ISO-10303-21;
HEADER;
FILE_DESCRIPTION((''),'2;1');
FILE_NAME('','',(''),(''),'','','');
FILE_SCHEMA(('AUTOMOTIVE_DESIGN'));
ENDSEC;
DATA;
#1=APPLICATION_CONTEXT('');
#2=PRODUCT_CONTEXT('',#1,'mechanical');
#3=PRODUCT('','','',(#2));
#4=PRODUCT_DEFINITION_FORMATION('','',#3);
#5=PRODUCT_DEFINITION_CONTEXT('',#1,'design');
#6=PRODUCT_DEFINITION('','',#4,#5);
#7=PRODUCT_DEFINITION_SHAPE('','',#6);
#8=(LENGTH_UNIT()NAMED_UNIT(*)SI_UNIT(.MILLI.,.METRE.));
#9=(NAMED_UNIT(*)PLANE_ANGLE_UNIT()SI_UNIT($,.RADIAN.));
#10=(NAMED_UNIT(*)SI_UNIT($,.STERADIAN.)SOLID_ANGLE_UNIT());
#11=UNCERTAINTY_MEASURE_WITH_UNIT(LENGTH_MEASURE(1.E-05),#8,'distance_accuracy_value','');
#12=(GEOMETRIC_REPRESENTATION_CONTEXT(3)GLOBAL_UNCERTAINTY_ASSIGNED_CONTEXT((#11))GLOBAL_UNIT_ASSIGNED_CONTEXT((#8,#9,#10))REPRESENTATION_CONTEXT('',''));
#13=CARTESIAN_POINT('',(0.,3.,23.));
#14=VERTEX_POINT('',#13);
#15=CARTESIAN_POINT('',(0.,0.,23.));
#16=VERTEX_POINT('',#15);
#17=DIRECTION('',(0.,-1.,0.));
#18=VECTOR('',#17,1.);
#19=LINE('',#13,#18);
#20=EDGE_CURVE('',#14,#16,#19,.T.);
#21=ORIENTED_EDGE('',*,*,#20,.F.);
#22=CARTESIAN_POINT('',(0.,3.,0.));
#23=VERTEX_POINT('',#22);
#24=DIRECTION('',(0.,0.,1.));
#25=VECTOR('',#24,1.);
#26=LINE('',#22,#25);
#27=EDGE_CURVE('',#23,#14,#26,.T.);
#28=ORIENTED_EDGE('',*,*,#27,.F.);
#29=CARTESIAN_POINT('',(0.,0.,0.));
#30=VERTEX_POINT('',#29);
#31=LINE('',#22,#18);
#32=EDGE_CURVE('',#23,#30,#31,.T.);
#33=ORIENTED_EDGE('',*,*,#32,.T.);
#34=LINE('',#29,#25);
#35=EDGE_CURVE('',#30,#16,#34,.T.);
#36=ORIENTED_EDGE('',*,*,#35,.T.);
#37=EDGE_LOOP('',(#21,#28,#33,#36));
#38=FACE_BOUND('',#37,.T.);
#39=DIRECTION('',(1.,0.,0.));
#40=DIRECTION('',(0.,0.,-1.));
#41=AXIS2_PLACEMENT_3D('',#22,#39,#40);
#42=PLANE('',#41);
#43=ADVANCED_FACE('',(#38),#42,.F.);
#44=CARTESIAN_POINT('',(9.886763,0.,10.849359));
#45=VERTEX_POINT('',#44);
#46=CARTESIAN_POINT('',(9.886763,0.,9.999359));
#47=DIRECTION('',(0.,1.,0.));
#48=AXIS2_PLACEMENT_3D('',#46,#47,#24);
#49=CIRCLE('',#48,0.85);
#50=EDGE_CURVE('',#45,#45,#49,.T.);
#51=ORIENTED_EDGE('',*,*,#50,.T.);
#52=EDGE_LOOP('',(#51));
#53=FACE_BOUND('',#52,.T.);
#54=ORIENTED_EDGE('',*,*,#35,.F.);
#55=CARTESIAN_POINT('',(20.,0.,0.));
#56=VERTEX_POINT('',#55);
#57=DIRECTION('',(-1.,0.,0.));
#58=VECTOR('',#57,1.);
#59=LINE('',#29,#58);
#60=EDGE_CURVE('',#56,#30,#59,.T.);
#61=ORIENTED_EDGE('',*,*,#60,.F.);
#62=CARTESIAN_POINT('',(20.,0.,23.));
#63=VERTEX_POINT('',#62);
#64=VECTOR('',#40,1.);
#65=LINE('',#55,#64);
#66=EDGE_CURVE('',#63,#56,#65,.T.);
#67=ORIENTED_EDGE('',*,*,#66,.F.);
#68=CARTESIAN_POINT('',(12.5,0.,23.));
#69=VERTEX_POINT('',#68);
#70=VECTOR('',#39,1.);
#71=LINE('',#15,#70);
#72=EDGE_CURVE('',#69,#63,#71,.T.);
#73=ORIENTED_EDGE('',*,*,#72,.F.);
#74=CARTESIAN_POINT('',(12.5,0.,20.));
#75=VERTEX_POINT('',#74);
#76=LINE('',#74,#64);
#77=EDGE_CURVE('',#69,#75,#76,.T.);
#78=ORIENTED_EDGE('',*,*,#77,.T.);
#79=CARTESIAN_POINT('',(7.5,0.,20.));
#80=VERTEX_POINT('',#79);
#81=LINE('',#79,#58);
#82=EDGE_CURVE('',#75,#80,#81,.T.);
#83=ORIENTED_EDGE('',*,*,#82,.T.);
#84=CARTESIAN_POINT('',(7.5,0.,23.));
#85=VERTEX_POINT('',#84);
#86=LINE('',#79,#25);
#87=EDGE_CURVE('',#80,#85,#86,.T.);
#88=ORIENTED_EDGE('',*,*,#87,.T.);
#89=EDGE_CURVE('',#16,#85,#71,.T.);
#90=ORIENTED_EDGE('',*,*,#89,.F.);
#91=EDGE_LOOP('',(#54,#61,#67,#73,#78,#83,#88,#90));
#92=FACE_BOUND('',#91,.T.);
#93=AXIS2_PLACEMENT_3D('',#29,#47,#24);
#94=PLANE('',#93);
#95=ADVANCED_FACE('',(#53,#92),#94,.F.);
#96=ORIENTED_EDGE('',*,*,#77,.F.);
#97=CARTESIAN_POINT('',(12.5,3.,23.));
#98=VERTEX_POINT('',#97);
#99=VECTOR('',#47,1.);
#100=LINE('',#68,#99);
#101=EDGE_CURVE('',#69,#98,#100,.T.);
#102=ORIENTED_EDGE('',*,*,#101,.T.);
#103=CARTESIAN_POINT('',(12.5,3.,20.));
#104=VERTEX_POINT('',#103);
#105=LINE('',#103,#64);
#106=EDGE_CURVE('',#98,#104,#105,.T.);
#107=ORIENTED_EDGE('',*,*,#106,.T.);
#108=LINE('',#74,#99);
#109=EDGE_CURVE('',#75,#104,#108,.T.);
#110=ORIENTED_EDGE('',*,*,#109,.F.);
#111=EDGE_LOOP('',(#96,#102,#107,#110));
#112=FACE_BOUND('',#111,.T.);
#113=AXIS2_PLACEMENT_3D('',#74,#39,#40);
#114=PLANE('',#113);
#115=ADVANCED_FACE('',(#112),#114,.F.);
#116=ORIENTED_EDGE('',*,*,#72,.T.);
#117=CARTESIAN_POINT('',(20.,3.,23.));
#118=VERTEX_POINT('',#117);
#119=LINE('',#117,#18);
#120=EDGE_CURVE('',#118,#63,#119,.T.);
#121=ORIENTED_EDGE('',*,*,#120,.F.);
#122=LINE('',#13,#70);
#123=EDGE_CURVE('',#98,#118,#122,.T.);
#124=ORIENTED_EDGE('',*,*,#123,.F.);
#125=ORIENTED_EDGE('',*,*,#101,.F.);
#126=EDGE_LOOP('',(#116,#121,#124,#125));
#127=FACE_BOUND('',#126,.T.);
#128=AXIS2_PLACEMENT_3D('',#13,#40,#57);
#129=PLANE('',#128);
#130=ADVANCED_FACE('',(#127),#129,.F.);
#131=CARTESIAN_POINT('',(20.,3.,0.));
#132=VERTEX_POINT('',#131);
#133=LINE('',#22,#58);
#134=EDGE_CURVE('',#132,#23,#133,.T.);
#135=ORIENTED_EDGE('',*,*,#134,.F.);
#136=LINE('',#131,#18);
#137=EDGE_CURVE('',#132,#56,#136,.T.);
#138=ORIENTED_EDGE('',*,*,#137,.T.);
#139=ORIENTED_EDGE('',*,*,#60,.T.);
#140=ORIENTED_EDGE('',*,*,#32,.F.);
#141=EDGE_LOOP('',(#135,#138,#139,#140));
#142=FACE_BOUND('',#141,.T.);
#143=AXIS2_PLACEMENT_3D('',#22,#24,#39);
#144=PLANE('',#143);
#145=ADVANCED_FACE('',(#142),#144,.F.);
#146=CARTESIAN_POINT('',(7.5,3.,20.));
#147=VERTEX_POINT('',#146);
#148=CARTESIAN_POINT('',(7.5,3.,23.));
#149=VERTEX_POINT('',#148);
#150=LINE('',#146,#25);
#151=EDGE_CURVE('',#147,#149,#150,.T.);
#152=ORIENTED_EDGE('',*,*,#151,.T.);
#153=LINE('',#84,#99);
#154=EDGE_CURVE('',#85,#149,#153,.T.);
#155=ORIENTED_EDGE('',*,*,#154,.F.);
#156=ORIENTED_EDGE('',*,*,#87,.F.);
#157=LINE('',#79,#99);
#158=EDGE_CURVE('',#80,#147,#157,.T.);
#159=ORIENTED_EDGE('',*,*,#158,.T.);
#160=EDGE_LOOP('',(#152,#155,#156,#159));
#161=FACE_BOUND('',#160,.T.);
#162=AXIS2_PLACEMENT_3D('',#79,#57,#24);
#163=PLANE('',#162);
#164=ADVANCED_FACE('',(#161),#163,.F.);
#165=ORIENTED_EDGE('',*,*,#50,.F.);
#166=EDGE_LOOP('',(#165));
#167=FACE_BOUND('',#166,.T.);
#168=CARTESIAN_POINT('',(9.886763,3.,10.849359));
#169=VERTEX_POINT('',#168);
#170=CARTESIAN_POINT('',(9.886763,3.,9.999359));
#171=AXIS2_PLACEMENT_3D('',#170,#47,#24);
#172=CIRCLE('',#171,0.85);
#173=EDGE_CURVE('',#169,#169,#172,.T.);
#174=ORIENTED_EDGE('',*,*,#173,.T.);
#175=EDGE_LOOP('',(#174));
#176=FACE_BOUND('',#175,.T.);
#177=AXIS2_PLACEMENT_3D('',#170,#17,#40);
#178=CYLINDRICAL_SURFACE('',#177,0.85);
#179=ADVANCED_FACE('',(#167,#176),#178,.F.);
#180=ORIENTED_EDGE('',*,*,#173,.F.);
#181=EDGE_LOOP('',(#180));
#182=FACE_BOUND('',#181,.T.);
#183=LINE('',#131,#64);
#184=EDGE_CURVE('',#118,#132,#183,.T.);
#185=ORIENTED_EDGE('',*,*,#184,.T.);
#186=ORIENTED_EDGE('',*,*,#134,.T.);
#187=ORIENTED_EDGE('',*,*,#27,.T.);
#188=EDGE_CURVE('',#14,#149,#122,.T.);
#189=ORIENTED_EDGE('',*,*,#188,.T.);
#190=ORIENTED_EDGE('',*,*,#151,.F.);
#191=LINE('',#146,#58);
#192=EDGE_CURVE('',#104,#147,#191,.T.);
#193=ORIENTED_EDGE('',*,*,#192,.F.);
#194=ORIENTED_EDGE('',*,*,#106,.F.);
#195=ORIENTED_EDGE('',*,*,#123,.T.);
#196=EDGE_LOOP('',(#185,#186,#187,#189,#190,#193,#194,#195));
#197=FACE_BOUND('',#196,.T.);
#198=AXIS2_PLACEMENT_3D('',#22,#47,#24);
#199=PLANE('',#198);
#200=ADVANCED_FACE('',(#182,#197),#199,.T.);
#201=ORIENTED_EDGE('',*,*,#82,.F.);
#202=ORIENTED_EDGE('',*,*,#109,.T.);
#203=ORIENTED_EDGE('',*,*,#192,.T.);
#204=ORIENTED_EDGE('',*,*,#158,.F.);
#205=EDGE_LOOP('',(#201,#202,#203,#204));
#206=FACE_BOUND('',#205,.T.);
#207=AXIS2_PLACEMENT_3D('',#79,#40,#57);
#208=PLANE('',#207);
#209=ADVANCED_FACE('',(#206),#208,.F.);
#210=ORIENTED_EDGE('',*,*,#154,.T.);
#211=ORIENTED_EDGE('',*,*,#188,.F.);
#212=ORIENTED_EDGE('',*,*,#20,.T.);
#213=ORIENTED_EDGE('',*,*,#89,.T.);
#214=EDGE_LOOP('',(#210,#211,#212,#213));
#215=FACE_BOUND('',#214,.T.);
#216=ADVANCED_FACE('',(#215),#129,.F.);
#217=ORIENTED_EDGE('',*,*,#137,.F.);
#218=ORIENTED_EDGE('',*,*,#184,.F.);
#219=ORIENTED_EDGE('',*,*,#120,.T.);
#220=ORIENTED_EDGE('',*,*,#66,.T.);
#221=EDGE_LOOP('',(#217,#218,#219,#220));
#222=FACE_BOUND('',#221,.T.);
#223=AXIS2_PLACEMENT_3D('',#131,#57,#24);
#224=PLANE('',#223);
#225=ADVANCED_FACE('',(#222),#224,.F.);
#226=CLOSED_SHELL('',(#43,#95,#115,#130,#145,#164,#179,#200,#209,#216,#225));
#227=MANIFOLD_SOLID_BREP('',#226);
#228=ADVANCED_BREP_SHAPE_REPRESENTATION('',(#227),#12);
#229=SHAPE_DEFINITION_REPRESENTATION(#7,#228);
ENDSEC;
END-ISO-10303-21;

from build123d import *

# Parameters (mm, degrees)
SKETCH1_W           = 20
SKETCH1_H           = 23
SKETCH1_R           = 0.85
BOSS_EXTRUDE1_DEPTH = 3
SKETCH3_W           = 5
SKETCH3_H           = 3
CUT_EXTRUDE1_DEPTH  = 31.626785662


with BuildPart() as part:
    # Sketch1 → Boss-Extrude1 (new body)
    with BuildSketch(Plane(origin=(0, 0, 0), x_dir=(1, 0, 0), z_dir=(0, 1, 0))):
        with Locations((10, -11.5)):
            Rectangle(SKETCH1_W, SKETCH1_H)
        with Locations(Location((9.886762672, -9.999358845, 0), (0, 0, 270))):
            Circle(SKETCH1_R, mode=Mode.SUBTRACT)
    extrude(amount=BOSS_EXTRUDE1_DEPTH)

    # Sketch3 → Cut-Extrude1 (cut, through all)
    with BuildSketch(Plane(origin=(0, 3, 0), x_dir=(1, 0, 0), z_dir=(0, 1, 0))):
        with Locations((10, -21.5)):
            Rectangle(SKETCH3_W, SKETCH3_H)
    extrude(amount=-CUT_EXTRUDE1_DEPTH, mode=Mode.SUBTRACT)


solid = part.part
